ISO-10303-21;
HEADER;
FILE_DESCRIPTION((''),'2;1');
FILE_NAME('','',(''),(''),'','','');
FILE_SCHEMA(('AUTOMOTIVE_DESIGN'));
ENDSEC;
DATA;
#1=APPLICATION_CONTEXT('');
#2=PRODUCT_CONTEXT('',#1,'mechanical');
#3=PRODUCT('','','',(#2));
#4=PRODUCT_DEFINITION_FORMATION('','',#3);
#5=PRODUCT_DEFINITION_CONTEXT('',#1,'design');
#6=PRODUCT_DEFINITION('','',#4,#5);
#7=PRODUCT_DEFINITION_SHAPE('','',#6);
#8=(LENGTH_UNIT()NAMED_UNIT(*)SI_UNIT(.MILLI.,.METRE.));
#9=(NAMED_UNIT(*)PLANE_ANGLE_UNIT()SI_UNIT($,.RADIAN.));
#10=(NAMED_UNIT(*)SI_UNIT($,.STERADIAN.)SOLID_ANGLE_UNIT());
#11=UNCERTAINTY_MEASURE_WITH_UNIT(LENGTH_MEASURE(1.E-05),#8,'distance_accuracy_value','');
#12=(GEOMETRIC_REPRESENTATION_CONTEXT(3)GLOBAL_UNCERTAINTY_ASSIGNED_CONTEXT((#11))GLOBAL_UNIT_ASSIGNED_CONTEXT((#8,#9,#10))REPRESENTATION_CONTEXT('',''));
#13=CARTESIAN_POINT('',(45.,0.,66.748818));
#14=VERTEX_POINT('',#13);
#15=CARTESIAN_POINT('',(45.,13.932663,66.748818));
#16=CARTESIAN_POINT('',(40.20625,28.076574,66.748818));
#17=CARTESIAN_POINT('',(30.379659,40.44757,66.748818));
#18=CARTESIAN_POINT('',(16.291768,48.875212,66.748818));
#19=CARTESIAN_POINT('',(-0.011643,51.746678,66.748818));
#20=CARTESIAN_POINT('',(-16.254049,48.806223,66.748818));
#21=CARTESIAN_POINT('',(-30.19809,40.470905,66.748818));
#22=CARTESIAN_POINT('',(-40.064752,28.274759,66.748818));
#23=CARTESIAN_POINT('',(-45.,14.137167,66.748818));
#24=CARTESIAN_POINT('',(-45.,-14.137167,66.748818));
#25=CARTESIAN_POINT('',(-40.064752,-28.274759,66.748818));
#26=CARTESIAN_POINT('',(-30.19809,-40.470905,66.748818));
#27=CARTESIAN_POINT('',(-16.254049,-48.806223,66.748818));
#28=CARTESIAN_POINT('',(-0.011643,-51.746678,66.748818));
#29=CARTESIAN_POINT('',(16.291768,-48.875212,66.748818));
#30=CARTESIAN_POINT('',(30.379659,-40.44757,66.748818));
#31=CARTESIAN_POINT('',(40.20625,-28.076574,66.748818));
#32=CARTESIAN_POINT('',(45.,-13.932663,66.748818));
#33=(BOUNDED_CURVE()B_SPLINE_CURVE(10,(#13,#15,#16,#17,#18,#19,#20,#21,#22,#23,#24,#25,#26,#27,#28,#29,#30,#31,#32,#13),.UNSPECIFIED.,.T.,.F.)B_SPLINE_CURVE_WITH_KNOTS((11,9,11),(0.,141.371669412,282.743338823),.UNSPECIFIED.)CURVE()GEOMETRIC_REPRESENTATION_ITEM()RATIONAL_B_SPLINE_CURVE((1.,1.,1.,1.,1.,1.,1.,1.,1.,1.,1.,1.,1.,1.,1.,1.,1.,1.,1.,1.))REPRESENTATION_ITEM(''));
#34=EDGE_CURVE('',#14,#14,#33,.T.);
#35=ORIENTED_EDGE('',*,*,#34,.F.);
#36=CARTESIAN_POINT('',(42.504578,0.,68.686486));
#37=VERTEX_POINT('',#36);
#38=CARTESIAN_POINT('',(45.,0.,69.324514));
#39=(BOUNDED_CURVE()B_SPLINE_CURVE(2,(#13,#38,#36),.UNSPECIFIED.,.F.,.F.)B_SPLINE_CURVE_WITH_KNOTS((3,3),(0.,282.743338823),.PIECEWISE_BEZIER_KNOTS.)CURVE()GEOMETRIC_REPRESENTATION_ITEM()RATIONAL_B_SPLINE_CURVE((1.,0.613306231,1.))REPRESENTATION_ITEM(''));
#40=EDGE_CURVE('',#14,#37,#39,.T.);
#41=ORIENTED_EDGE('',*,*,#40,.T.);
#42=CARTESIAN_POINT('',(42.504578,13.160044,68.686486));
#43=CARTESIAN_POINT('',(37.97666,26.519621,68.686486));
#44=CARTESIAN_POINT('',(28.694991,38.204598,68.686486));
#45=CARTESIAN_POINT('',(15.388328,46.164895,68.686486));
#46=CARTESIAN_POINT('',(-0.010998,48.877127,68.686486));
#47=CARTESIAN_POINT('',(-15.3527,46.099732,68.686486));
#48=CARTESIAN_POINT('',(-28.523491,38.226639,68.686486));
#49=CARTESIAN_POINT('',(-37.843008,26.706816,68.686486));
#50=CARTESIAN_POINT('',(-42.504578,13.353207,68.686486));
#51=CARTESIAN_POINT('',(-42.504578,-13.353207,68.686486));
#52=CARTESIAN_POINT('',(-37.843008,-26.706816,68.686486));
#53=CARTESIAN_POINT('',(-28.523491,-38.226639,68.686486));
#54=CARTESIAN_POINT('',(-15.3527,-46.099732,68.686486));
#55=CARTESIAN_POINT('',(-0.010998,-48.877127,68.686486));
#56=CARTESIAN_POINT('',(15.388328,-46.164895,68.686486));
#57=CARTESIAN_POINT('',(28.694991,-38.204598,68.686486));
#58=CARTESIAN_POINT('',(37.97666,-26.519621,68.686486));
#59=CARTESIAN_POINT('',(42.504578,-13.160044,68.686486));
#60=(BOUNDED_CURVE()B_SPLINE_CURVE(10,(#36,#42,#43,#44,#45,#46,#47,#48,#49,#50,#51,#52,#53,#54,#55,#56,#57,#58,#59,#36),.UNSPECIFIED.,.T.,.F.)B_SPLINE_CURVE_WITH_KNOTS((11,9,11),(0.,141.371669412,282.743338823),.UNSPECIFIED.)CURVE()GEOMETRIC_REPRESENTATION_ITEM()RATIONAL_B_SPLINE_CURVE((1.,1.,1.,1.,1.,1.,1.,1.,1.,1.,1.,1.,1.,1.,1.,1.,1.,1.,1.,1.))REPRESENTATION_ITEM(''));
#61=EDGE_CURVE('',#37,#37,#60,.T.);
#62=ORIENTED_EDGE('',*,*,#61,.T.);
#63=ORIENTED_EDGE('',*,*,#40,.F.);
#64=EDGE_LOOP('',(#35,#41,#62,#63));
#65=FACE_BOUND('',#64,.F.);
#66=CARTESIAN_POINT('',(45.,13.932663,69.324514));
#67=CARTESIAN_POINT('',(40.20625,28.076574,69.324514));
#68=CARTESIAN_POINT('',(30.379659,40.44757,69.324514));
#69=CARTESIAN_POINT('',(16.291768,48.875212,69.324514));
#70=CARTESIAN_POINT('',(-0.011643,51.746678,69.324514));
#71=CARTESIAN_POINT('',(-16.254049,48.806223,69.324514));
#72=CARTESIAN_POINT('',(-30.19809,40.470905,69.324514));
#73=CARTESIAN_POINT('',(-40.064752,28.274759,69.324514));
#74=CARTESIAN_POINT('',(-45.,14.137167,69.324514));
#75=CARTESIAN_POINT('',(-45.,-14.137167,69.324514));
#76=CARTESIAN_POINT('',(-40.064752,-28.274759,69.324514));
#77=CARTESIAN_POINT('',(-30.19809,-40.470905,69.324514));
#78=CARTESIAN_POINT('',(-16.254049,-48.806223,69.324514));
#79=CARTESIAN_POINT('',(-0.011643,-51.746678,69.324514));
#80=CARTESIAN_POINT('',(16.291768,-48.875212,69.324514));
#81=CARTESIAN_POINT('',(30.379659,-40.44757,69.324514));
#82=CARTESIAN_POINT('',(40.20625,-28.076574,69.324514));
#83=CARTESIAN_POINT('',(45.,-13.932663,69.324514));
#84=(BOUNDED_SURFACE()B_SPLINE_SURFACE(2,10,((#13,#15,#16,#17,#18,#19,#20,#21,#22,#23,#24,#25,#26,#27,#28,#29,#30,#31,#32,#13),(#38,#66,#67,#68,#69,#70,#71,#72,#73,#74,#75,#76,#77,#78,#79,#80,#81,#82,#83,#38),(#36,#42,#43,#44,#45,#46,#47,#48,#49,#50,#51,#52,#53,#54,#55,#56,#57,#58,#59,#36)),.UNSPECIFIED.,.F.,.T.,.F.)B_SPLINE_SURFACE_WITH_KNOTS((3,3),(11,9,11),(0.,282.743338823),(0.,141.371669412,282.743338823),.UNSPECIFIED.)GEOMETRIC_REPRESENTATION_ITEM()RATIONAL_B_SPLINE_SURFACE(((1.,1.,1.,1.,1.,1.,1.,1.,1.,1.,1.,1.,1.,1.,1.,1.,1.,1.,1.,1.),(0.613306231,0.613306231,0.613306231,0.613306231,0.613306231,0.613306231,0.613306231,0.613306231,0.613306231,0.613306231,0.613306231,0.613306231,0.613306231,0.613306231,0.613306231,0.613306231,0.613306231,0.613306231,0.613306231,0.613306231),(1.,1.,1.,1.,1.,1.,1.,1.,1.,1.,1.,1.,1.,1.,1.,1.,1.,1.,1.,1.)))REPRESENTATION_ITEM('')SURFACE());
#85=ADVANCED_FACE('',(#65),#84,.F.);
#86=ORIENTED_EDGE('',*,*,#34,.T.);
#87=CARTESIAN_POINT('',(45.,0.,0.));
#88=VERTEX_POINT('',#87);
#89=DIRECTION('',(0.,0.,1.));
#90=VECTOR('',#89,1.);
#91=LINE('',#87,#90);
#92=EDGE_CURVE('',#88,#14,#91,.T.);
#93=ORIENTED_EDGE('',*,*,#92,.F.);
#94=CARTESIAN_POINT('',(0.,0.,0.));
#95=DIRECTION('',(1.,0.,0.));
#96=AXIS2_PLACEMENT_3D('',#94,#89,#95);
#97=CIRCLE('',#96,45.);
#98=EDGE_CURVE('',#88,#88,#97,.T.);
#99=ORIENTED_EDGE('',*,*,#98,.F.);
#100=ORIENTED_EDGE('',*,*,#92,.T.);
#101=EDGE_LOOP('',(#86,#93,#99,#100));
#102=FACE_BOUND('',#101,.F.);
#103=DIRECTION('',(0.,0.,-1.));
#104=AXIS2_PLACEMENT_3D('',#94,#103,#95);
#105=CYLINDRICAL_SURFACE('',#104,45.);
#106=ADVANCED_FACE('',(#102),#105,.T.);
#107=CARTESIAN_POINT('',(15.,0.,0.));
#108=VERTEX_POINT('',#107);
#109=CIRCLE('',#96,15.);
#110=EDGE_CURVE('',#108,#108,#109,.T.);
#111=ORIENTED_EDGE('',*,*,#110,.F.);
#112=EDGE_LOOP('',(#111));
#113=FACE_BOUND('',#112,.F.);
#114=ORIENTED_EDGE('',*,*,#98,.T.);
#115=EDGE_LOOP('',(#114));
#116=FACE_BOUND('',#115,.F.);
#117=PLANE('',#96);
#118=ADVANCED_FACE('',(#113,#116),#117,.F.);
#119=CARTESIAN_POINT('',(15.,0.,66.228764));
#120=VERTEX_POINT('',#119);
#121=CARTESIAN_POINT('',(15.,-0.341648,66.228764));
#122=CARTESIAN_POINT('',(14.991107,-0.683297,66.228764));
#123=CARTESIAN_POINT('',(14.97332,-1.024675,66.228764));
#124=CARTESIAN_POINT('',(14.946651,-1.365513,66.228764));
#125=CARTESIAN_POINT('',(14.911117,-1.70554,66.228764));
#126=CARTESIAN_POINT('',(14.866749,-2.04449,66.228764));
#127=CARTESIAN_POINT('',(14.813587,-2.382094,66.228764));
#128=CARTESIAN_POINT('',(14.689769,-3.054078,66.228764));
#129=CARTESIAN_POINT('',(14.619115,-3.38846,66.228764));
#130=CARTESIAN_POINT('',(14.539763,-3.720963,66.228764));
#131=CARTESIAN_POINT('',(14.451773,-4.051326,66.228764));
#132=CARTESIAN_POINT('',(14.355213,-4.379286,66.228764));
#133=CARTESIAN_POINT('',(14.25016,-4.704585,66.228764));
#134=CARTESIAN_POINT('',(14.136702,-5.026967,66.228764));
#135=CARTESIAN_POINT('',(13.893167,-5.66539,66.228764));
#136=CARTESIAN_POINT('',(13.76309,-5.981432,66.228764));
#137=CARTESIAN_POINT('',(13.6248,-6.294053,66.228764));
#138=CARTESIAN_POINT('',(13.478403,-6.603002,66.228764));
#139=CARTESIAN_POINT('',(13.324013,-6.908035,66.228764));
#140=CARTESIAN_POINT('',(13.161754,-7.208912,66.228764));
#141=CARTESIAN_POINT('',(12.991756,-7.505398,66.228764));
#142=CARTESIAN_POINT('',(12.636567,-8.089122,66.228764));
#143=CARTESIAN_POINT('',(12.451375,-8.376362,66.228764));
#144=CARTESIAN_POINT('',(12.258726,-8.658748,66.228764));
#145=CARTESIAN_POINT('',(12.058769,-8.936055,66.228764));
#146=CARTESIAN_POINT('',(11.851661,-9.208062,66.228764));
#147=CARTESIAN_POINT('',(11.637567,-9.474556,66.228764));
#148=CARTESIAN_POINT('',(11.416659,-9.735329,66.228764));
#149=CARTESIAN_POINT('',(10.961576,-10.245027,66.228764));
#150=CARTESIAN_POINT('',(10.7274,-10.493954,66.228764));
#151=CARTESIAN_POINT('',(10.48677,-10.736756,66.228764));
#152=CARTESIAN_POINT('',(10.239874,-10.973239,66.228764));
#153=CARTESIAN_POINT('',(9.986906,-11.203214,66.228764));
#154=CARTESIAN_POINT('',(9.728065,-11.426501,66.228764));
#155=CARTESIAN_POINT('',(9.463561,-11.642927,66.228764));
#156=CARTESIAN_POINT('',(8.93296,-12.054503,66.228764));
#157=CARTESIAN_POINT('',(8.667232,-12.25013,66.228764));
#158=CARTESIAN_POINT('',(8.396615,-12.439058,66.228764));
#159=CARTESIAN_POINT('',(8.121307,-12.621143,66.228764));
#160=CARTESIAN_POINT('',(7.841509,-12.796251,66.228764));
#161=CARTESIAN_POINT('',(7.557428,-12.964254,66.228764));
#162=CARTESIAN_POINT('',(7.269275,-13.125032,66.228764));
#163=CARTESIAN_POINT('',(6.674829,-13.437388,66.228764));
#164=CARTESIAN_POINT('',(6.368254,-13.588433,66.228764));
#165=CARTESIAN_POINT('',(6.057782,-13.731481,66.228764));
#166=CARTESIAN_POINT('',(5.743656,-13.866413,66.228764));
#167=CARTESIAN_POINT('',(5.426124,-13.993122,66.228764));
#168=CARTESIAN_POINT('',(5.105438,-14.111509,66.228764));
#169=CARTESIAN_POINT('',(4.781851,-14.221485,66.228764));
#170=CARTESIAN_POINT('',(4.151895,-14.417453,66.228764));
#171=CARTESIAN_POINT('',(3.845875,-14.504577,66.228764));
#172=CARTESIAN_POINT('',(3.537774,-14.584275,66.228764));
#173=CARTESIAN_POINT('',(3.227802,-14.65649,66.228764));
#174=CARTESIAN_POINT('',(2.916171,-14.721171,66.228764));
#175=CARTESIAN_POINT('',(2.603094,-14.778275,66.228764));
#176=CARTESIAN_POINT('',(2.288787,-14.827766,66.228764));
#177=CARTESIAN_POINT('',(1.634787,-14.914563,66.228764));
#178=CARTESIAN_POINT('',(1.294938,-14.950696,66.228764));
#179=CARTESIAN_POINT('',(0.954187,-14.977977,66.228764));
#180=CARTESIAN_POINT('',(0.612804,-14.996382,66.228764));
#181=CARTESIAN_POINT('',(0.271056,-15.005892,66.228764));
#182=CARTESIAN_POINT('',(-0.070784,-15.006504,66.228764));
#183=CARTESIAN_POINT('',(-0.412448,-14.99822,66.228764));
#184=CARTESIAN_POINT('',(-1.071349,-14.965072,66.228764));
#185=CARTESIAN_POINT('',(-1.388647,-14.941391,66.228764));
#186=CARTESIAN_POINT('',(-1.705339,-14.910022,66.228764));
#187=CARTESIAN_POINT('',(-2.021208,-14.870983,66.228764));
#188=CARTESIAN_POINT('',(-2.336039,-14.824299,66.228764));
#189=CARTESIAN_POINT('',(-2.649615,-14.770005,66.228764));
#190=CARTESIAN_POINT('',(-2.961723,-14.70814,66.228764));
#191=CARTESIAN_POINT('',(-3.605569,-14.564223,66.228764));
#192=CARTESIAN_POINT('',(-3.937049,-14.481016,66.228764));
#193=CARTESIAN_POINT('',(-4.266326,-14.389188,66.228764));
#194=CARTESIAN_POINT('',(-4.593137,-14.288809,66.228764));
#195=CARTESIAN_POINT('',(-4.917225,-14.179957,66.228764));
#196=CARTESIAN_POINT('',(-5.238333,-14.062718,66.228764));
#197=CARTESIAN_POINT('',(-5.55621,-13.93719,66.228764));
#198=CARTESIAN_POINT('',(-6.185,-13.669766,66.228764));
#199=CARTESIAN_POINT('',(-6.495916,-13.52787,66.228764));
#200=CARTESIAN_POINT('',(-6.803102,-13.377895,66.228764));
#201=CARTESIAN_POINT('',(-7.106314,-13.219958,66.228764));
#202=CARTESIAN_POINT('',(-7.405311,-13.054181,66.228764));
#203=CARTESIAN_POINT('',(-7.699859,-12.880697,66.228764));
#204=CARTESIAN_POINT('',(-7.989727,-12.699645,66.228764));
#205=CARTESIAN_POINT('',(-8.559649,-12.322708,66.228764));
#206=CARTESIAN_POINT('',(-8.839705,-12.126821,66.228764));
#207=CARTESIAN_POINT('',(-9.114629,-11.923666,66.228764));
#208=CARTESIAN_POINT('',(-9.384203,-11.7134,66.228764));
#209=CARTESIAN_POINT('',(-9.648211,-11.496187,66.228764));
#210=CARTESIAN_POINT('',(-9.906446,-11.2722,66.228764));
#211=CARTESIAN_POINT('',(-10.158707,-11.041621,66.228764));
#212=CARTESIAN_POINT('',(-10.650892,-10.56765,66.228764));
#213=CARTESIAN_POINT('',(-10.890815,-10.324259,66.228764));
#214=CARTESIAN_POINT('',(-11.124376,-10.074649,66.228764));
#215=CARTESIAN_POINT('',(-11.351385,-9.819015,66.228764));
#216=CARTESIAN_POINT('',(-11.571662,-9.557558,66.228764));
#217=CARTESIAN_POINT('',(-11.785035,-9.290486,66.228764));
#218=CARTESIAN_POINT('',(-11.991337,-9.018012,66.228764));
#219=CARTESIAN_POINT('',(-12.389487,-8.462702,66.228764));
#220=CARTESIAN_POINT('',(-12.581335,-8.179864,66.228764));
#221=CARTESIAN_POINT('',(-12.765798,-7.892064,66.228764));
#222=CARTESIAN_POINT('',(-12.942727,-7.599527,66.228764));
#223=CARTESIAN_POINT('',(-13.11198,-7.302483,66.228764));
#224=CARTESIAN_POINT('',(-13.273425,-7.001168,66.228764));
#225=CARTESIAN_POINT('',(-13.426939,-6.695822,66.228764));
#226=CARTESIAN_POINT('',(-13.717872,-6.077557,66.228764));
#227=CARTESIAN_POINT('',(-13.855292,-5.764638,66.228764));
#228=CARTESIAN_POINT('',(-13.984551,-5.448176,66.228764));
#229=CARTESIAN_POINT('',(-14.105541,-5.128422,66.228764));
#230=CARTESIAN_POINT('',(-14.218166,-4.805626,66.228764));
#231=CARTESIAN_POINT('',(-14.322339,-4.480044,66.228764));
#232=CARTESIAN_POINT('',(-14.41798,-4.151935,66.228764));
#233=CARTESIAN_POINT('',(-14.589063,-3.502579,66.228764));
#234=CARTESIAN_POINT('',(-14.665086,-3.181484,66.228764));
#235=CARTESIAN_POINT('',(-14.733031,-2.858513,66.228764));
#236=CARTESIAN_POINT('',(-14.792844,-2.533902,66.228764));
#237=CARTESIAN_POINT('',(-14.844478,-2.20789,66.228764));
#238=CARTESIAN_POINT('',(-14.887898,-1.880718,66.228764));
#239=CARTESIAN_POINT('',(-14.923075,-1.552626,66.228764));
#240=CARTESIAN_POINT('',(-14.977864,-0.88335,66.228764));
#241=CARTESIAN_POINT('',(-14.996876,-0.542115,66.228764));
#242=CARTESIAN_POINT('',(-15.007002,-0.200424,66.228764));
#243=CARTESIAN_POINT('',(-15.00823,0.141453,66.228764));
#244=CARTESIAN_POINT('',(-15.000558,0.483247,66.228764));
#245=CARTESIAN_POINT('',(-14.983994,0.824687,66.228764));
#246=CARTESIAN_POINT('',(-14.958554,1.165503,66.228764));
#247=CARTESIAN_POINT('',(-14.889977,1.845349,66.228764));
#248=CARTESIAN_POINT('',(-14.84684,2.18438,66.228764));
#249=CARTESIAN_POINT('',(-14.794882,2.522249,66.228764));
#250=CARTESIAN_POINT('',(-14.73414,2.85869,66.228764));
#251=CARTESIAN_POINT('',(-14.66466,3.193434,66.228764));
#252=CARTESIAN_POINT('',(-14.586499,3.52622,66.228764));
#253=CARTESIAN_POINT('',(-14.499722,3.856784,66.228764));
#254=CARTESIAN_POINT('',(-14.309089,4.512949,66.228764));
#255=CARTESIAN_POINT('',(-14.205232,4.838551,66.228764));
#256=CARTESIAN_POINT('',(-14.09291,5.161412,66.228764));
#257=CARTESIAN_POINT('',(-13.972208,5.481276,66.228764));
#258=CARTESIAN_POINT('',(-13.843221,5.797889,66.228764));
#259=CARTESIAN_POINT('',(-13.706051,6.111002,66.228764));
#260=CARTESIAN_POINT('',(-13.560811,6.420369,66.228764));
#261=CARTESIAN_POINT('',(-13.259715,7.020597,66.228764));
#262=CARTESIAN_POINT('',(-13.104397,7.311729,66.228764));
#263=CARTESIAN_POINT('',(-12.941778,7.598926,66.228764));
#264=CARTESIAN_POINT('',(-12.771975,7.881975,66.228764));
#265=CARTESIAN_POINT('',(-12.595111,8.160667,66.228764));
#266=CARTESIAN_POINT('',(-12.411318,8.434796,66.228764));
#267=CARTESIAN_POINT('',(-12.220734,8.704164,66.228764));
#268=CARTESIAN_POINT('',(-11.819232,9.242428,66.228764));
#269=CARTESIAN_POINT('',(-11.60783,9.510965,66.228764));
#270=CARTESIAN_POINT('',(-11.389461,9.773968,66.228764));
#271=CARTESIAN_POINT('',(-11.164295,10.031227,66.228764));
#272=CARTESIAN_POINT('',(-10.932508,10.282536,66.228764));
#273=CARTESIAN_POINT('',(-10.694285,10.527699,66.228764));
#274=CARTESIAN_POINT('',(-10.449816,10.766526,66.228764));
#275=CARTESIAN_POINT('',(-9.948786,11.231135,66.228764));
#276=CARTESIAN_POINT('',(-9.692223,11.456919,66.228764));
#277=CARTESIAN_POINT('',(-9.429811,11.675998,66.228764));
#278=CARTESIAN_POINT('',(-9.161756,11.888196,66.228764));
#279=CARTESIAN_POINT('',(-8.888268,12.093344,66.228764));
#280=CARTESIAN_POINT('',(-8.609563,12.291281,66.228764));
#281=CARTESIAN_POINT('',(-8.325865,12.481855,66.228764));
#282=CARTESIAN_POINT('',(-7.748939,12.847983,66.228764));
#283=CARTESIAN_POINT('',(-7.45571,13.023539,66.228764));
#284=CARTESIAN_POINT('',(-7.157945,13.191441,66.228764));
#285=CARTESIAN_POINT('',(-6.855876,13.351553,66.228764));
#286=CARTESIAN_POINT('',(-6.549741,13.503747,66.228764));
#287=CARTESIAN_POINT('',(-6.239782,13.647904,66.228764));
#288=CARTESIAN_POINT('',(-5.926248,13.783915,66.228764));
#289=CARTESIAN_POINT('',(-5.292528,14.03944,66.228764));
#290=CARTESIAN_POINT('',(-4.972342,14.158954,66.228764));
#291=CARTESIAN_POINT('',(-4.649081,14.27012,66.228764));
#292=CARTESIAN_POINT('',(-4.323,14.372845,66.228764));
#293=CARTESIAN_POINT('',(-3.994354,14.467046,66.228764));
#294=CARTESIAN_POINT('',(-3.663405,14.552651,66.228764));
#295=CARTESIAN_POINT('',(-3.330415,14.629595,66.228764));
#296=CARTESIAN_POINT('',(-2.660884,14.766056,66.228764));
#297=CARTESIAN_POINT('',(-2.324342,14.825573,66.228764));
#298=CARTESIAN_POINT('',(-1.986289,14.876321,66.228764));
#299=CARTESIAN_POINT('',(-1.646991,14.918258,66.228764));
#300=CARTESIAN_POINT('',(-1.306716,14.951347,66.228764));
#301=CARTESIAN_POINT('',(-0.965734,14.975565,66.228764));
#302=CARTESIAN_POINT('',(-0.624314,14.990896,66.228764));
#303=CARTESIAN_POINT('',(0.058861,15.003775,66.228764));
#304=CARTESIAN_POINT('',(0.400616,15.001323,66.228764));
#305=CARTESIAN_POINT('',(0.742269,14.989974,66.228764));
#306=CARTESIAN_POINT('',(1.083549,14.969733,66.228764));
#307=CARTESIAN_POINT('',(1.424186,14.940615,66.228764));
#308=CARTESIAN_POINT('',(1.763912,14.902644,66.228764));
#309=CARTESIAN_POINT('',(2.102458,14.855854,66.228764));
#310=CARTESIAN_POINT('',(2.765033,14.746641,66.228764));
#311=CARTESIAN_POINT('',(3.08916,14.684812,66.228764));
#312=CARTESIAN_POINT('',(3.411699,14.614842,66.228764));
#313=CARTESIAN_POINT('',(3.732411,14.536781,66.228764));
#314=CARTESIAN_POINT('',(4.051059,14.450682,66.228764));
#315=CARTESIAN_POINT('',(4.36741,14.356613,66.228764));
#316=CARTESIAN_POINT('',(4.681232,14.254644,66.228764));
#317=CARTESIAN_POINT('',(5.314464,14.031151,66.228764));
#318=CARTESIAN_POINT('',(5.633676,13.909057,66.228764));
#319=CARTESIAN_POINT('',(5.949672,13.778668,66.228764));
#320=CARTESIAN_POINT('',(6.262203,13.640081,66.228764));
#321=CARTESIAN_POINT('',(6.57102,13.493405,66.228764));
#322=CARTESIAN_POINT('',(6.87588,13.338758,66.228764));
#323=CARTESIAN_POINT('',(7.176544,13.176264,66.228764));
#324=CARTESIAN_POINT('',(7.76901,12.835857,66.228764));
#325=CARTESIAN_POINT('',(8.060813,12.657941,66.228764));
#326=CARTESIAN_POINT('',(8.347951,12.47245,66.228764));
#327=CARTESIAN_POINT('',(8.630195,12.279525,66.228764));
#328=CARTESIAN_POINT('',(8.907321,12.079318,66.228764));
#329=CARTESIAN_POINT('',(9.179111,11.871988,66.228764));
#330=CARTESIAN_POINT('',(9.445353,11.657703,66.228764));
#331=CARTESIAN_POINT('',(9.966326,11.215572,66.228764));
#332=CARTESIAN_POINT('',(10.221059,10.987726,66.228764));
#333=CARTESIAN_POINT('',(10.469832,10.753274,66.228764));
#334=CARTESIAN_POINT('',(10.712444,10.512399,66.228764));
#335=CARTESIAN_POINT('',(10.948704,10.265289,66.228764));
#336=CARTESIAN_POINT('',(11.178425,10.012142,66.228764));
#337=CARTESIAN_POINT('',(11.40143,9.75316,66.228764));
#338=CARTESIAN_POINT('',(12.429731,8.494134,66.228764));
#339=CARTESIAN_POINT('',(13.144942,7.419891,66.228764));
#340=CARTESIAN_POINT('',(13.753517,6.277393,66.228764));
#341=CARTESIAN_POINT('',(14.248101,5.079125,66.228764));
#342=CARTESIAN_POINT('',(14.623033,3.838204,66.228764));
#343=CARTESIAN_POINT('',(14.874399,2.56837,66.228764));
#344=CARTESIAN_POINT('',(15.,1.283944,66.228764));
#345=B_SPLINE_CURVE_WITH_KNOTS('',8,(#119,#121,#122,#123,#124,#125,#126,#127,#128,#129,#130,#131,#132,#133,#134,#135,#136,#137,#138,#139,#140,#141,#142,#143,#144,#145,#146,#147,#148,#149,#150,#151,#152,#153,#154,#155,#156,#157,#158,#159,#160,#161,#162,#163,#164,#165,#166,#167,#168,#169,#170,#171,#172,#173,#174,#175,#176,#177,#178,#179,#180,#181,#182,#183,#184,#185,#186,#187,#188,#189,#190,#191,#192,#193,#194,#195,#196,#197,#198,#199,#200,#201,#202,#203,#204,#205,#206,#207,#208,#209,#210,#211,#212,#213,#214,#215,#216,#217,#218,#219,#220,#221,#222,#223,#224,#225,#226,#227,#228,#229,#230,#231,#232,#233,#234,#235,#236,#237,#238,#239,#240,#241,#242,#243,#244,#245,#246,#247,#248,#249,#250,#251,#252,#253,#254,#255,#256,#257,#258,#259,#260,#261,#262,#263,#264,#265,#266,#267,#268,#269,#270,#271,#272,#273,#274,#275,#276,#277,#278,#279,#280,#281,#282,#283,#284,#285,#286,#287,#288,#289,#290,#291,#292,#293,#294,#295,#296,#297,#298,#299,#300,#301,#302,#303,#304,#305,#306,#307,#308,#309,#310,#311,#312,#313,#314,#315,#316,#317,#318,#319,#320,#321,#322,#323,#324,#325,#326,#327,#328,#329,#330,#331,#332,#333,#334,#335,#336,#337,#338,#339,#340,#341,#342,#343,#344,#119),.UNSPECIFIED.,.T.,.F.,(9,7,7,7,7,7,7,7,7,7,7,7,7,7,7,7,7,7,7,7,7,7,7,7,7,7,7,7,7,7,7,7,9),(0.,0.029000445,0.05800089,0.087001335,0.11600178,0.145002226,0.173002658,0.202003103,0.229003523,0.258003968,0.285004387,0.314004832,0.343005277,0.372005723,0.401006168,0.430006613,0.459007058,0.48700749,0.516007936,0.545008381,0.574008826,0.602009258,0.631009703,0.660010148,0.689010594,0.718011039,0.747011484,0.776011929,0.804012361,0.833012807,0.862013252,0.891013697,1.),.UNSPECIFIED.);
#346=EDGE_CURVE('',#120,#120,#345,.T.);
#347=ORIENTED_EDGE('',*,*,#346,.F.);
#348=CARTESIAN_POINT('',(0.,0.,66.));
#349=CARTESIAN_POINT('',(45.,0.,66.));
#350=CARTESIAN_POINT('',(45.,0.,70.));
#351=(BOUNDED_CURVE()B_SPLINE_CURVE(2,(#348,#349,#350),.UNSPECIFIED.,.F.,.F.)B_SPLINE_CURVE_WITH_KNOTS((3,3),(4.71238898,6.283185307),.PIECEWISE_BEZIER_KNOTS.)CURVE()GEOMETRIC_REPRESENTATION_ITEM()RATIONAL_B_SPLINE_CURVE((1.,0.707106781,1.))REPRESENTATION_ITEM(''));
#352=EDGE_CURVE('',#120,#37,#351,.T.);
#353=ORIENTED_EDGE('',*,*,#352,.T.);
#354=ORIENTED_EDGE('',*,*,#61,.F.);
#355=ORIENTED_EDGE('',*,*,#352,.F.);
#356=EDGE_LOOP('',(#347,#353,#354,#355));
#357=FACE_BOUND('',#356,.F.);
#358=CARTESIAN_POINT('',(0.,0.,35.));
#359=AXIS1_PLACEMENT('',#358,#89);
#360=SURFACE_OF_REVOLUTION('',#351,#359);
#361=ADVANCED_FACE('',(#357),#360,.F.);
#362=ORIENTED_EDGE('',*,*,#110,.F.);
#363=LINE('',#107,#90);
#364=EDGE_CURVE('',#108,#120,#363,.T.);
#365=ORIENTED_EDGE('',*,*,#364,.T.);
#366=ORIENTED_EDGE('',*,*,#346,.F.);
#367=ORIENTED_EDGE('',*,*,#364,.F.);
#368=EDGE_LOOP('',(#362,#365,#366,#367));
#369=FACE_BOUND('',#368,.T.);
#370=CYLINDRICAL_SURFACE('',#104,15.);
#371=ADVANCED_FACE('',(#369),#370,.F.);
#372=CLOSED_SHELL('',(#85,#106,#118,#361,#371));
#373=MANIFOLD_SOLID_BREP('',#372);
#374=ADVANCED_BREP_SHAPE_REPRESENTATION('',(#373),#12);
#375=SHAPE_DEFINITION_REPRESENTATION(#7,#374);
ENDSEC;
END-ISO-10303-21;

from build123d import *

# Parameters (mm, degrees)
F0_R     = 45
F1_DEPTH = 70
F4_R     = 2
F5_R     = 15
F6_DEPTH = 88.4901


with BuildPart() as f1:
    # F0 (on Top) → F1 (new body)
    with BuildSketch(Plane.XY):
        Circle(F0_R)
    extrude(amount=F1_DEPTH)

    # F2 (on Front) → F3 (revolve, cut)
    with BuildSketch(Plane.XZ):
        with BuildLine():
            Line((0, 70), (0, 66))
            add(Edge.make_bspline(
                [(0, 66), (45, 66), (45, 70)],
                knots=[4.7123889804, 4.7123889804, 4.7123889804, 6.2831853072, 6.2831853072, 6.2831853072], degree=2, weights=[1, 0.7071067812, 1]))
            Line((45, 70), (0, 70))
        make_face()
    revolve(axis=Axis((0, 0, 35), (0, 0, 1)), mode=Mode.SUBTRACT)

    # F4
    f4_edges = [f1.edges().sort_by_distance(p)[0] for p in [
        (-45, 0, 70),
    ]]
    fillet(f4_edges, radius=F4_R)

    # F5 (on Top) → F6 (cut)
    with BuildSketch(Plane.XY):
        Circle(F5_R)
    extrude(amount=F6_DEPTH, mode=Mode.SUBTRACT)


solid = f1.part
